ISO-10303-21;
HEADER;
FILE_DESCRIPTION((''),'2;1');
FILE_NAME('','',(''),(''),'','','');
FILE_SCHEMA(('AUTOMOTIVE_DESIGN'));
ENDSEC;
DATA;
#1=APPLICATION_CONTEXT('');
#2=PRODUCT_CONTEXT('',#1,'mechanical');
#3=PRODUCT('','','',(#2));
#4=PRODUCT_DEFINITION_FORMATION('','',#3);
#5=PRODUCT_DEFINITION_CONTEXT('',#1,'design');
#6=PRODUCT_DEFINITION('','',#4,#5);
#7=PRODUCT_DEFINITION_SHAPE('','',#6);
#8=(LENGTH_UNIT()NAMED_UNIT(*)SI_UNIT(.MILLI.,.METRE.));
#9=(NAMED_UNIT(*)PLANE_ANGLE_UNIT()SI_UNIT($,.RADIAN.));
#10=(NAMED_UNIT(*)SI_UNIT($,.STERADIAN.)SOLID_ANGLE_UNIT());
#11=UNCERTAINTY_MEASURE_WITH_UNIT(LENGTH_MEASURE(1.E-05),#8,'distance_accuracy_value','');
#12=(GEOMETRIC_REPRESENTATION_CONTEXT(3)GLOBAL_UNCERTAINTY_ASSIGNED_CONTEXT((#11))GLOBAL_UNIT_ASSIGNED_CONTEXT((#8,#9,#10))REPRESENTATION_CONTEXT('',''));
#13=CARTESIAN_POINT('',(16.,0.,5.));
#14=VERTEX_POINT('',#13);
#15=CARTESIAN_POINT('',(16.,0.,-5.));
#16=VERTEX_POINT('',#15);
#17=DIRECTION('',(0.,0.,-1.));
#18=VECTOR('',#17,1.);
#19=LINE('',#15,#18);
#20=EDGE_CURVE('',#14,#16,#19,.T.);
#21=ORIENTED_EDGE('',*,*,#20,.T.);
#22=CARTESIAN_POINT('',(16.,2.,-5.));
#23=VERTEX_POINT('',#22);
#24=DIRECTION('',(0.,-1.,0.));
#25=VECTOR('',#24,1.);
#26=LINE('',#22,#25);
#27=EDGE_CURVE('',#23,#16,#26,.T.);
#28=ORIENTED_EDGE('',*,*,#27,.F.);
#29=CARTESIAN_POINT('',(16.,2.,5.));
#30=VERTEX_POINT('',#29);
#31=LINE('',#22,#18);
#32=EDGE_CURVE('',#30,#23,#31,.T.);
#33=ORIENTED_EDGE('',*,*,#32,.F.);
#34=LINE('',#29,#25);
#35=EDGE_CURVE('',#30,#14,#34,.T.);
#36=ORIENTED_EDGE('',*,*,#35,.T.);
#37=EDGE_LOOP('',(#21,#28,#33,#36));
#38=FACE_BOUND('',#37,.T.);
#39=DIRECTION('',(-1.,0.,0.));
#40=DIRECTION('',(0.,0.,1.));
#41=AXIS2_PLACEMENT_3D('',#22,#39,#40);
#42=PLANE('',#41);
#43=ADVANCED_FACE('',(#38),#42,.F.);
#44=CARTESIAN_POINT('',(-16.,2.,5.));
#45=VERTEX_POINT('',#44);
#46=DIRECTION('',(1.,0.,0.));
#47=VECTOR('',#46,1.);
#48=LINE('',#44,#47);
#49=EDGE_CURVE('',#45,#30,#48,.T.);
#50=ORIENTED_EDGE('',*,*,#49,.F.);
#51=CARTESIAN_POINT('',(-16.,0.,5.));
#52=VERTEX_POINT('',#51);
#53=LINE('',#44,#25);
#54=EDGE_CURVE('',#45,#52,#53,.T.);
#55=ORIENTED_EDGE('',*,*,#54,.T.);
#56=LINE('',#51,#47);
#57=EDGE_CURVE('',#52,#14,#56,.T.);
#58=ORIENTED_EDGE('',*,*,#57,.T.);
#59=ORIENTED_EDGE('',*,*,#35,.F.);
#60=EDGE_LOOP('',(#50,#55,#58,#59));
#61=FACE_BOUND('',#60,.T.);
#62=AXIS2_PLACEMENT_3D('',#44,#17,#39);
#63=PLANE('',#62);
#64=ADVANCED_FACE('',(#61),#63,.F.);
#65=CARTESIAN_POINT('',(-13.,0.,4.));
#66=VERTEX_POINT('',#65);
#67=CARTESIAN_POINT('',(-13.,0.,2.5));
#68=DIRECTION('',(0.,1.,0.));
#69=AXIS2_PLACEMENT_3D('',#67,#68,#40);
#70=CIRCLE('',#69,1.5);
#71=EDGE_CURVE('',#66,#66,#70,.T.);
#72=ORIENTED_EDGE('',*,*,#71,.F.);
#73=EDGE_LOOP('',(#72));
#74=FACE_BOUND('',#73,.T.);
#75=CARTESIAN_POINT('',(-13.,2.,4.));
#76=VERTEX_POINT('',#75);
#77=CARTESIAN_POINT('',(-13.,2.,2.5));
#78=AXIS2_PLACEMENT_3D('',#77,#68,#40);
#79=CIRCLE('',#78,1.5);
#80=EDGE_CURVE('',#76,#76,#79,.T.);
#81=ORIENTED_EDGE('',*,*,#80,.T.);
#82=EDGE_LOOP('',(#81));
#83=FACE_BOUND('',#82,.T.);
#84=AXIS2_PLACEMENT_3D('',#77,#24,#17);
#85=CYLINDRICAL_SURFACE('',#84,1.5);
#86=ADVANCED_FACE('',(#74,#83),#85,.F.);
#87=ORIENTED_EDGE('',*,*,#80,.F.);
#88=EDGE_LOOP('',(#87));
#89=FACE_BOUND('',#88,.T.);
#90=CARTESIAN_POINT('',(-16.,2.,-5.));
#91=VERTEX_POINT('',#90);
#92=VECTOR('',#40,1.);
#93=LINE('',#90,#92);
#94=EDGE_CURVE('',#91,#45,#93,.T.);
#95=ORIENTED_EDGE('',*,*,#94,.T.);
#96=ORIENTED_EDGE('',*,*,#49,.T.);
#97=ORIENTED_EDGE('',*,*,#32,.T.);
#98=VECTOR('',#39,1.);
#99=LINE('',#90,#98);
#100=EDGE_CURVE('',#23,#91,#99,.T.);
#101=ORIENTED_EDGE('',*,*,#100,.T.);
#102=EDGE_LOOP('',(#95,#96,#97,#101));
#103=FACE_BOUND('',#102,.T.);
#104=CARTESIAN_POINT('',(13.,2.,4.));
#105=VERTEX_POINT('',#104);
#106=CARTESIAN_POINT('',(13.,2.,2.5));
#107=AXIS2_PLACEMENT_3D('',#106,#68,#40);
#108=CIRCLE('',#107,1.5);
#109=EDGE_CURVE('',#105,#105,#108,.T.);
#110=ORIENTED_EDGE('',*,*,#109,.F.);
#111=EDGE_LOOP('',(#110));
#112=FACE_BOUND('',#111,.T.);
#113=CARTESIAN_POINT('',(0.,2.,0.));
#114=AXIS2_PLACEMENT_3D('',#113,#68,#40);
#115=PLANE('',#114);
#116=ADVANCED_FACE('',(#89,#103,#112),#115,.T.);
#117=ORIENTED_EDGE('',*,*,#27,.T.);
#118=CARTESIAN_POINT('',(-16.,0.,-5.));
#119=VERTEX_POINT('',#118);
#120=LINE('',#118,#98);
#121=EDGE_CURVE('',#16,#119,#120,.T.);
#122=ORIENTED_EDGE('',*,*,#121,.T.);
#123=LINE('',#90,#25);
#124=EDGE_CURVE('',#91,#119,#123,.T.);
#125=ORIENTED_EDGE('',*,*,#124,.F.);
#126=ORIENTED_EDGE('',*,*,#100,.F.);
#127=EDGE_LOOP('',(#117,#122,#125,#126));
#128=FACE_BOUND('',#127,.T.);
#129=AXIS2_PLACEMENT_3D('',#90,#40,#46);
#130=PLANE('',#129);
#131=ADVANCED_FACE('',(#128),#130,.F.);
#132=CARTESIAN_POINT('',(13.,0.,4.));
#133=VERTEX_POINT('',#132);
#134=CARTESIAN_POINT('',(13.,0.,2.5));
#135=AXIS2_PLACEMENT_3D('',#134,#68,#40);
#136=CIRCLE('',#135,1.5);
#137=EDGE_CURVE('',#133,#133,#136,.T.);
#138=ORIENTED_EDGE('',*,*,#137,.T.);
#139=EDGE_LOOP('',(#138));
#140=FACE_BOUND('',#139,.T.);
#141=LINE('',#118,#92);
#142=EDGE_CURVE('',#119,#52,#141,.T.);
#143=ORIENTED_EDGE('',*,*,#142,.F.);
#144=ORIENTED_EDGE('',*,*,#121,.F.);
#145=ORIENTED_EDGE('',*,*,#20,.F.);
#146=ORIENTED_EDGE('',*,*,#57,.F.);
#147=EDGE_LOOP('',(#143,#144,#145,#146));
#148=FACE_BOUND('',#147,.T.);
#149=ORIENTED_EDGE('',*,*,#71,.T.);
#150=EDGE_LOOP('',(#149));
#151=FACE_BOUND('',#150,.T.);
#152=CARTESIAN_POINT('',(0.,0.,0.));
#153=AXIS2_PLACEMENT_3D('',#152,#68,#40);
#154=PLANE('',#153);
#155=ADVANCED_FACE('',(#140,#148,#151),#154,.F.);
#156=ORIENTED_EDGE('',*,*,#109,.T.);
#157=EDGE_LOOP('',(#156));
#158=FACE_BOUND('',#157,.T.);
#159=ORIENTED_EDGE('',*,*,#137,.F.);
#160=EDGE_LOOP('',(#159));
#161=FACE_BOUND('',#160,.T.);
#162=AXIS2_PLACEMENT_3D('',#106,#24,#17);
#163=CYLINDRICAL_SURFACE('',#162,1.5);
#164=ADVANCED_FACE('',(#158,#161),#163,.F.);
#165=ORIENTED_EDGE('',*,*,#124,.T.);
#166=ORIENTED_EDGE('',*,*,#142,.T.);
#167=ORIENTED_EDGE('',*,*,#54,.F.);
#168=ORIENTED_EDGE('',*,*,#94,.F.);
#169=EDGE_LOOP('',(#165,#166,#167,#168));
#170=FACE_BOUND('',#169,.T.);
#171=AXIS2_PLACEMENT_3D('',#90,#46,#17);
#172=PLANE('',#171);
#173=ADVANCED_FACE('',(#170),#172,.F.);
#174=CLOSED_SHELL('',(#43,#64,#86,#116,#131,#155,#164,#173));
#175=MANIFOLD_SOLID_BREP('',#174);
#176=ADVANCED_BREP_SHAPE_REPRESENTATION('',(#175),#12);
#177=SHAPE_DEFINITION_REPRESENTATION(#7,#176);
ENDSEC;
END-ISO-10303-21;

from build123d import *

# Parameters (mm, degrees)
SKETCH1_W           = 32
SKETCH1_H           = 10
SKETCH1_R           = 1.5
BOSS_EXTRUDE1_DEPTH = 2


with BuildPart() as part:
    # Sketch1 → Boss-Extrude1 (new body)
    with BuildSketch(Plane(origin=(0, 0, 0), x_dir=(1, 0, 0), z_dir=(0, 1, 0))):
        Rectangle(SKETCH1_W, SKETCH1_H)
        with Locations(Location((-13, -2.5, 0), (0, 0, 270))):
            Circle(SKETCH1_R, mode=Mode.SUBTRACT)
        with Locations(Location((13, -2.5, 0), (0, 0, 270))):
            Circle(SKETCH1_R, mode=Mode.SUBTRACT)
    extrude(amount=BOSS_EXTRUDE1_DEPTH)


solid = part.part
